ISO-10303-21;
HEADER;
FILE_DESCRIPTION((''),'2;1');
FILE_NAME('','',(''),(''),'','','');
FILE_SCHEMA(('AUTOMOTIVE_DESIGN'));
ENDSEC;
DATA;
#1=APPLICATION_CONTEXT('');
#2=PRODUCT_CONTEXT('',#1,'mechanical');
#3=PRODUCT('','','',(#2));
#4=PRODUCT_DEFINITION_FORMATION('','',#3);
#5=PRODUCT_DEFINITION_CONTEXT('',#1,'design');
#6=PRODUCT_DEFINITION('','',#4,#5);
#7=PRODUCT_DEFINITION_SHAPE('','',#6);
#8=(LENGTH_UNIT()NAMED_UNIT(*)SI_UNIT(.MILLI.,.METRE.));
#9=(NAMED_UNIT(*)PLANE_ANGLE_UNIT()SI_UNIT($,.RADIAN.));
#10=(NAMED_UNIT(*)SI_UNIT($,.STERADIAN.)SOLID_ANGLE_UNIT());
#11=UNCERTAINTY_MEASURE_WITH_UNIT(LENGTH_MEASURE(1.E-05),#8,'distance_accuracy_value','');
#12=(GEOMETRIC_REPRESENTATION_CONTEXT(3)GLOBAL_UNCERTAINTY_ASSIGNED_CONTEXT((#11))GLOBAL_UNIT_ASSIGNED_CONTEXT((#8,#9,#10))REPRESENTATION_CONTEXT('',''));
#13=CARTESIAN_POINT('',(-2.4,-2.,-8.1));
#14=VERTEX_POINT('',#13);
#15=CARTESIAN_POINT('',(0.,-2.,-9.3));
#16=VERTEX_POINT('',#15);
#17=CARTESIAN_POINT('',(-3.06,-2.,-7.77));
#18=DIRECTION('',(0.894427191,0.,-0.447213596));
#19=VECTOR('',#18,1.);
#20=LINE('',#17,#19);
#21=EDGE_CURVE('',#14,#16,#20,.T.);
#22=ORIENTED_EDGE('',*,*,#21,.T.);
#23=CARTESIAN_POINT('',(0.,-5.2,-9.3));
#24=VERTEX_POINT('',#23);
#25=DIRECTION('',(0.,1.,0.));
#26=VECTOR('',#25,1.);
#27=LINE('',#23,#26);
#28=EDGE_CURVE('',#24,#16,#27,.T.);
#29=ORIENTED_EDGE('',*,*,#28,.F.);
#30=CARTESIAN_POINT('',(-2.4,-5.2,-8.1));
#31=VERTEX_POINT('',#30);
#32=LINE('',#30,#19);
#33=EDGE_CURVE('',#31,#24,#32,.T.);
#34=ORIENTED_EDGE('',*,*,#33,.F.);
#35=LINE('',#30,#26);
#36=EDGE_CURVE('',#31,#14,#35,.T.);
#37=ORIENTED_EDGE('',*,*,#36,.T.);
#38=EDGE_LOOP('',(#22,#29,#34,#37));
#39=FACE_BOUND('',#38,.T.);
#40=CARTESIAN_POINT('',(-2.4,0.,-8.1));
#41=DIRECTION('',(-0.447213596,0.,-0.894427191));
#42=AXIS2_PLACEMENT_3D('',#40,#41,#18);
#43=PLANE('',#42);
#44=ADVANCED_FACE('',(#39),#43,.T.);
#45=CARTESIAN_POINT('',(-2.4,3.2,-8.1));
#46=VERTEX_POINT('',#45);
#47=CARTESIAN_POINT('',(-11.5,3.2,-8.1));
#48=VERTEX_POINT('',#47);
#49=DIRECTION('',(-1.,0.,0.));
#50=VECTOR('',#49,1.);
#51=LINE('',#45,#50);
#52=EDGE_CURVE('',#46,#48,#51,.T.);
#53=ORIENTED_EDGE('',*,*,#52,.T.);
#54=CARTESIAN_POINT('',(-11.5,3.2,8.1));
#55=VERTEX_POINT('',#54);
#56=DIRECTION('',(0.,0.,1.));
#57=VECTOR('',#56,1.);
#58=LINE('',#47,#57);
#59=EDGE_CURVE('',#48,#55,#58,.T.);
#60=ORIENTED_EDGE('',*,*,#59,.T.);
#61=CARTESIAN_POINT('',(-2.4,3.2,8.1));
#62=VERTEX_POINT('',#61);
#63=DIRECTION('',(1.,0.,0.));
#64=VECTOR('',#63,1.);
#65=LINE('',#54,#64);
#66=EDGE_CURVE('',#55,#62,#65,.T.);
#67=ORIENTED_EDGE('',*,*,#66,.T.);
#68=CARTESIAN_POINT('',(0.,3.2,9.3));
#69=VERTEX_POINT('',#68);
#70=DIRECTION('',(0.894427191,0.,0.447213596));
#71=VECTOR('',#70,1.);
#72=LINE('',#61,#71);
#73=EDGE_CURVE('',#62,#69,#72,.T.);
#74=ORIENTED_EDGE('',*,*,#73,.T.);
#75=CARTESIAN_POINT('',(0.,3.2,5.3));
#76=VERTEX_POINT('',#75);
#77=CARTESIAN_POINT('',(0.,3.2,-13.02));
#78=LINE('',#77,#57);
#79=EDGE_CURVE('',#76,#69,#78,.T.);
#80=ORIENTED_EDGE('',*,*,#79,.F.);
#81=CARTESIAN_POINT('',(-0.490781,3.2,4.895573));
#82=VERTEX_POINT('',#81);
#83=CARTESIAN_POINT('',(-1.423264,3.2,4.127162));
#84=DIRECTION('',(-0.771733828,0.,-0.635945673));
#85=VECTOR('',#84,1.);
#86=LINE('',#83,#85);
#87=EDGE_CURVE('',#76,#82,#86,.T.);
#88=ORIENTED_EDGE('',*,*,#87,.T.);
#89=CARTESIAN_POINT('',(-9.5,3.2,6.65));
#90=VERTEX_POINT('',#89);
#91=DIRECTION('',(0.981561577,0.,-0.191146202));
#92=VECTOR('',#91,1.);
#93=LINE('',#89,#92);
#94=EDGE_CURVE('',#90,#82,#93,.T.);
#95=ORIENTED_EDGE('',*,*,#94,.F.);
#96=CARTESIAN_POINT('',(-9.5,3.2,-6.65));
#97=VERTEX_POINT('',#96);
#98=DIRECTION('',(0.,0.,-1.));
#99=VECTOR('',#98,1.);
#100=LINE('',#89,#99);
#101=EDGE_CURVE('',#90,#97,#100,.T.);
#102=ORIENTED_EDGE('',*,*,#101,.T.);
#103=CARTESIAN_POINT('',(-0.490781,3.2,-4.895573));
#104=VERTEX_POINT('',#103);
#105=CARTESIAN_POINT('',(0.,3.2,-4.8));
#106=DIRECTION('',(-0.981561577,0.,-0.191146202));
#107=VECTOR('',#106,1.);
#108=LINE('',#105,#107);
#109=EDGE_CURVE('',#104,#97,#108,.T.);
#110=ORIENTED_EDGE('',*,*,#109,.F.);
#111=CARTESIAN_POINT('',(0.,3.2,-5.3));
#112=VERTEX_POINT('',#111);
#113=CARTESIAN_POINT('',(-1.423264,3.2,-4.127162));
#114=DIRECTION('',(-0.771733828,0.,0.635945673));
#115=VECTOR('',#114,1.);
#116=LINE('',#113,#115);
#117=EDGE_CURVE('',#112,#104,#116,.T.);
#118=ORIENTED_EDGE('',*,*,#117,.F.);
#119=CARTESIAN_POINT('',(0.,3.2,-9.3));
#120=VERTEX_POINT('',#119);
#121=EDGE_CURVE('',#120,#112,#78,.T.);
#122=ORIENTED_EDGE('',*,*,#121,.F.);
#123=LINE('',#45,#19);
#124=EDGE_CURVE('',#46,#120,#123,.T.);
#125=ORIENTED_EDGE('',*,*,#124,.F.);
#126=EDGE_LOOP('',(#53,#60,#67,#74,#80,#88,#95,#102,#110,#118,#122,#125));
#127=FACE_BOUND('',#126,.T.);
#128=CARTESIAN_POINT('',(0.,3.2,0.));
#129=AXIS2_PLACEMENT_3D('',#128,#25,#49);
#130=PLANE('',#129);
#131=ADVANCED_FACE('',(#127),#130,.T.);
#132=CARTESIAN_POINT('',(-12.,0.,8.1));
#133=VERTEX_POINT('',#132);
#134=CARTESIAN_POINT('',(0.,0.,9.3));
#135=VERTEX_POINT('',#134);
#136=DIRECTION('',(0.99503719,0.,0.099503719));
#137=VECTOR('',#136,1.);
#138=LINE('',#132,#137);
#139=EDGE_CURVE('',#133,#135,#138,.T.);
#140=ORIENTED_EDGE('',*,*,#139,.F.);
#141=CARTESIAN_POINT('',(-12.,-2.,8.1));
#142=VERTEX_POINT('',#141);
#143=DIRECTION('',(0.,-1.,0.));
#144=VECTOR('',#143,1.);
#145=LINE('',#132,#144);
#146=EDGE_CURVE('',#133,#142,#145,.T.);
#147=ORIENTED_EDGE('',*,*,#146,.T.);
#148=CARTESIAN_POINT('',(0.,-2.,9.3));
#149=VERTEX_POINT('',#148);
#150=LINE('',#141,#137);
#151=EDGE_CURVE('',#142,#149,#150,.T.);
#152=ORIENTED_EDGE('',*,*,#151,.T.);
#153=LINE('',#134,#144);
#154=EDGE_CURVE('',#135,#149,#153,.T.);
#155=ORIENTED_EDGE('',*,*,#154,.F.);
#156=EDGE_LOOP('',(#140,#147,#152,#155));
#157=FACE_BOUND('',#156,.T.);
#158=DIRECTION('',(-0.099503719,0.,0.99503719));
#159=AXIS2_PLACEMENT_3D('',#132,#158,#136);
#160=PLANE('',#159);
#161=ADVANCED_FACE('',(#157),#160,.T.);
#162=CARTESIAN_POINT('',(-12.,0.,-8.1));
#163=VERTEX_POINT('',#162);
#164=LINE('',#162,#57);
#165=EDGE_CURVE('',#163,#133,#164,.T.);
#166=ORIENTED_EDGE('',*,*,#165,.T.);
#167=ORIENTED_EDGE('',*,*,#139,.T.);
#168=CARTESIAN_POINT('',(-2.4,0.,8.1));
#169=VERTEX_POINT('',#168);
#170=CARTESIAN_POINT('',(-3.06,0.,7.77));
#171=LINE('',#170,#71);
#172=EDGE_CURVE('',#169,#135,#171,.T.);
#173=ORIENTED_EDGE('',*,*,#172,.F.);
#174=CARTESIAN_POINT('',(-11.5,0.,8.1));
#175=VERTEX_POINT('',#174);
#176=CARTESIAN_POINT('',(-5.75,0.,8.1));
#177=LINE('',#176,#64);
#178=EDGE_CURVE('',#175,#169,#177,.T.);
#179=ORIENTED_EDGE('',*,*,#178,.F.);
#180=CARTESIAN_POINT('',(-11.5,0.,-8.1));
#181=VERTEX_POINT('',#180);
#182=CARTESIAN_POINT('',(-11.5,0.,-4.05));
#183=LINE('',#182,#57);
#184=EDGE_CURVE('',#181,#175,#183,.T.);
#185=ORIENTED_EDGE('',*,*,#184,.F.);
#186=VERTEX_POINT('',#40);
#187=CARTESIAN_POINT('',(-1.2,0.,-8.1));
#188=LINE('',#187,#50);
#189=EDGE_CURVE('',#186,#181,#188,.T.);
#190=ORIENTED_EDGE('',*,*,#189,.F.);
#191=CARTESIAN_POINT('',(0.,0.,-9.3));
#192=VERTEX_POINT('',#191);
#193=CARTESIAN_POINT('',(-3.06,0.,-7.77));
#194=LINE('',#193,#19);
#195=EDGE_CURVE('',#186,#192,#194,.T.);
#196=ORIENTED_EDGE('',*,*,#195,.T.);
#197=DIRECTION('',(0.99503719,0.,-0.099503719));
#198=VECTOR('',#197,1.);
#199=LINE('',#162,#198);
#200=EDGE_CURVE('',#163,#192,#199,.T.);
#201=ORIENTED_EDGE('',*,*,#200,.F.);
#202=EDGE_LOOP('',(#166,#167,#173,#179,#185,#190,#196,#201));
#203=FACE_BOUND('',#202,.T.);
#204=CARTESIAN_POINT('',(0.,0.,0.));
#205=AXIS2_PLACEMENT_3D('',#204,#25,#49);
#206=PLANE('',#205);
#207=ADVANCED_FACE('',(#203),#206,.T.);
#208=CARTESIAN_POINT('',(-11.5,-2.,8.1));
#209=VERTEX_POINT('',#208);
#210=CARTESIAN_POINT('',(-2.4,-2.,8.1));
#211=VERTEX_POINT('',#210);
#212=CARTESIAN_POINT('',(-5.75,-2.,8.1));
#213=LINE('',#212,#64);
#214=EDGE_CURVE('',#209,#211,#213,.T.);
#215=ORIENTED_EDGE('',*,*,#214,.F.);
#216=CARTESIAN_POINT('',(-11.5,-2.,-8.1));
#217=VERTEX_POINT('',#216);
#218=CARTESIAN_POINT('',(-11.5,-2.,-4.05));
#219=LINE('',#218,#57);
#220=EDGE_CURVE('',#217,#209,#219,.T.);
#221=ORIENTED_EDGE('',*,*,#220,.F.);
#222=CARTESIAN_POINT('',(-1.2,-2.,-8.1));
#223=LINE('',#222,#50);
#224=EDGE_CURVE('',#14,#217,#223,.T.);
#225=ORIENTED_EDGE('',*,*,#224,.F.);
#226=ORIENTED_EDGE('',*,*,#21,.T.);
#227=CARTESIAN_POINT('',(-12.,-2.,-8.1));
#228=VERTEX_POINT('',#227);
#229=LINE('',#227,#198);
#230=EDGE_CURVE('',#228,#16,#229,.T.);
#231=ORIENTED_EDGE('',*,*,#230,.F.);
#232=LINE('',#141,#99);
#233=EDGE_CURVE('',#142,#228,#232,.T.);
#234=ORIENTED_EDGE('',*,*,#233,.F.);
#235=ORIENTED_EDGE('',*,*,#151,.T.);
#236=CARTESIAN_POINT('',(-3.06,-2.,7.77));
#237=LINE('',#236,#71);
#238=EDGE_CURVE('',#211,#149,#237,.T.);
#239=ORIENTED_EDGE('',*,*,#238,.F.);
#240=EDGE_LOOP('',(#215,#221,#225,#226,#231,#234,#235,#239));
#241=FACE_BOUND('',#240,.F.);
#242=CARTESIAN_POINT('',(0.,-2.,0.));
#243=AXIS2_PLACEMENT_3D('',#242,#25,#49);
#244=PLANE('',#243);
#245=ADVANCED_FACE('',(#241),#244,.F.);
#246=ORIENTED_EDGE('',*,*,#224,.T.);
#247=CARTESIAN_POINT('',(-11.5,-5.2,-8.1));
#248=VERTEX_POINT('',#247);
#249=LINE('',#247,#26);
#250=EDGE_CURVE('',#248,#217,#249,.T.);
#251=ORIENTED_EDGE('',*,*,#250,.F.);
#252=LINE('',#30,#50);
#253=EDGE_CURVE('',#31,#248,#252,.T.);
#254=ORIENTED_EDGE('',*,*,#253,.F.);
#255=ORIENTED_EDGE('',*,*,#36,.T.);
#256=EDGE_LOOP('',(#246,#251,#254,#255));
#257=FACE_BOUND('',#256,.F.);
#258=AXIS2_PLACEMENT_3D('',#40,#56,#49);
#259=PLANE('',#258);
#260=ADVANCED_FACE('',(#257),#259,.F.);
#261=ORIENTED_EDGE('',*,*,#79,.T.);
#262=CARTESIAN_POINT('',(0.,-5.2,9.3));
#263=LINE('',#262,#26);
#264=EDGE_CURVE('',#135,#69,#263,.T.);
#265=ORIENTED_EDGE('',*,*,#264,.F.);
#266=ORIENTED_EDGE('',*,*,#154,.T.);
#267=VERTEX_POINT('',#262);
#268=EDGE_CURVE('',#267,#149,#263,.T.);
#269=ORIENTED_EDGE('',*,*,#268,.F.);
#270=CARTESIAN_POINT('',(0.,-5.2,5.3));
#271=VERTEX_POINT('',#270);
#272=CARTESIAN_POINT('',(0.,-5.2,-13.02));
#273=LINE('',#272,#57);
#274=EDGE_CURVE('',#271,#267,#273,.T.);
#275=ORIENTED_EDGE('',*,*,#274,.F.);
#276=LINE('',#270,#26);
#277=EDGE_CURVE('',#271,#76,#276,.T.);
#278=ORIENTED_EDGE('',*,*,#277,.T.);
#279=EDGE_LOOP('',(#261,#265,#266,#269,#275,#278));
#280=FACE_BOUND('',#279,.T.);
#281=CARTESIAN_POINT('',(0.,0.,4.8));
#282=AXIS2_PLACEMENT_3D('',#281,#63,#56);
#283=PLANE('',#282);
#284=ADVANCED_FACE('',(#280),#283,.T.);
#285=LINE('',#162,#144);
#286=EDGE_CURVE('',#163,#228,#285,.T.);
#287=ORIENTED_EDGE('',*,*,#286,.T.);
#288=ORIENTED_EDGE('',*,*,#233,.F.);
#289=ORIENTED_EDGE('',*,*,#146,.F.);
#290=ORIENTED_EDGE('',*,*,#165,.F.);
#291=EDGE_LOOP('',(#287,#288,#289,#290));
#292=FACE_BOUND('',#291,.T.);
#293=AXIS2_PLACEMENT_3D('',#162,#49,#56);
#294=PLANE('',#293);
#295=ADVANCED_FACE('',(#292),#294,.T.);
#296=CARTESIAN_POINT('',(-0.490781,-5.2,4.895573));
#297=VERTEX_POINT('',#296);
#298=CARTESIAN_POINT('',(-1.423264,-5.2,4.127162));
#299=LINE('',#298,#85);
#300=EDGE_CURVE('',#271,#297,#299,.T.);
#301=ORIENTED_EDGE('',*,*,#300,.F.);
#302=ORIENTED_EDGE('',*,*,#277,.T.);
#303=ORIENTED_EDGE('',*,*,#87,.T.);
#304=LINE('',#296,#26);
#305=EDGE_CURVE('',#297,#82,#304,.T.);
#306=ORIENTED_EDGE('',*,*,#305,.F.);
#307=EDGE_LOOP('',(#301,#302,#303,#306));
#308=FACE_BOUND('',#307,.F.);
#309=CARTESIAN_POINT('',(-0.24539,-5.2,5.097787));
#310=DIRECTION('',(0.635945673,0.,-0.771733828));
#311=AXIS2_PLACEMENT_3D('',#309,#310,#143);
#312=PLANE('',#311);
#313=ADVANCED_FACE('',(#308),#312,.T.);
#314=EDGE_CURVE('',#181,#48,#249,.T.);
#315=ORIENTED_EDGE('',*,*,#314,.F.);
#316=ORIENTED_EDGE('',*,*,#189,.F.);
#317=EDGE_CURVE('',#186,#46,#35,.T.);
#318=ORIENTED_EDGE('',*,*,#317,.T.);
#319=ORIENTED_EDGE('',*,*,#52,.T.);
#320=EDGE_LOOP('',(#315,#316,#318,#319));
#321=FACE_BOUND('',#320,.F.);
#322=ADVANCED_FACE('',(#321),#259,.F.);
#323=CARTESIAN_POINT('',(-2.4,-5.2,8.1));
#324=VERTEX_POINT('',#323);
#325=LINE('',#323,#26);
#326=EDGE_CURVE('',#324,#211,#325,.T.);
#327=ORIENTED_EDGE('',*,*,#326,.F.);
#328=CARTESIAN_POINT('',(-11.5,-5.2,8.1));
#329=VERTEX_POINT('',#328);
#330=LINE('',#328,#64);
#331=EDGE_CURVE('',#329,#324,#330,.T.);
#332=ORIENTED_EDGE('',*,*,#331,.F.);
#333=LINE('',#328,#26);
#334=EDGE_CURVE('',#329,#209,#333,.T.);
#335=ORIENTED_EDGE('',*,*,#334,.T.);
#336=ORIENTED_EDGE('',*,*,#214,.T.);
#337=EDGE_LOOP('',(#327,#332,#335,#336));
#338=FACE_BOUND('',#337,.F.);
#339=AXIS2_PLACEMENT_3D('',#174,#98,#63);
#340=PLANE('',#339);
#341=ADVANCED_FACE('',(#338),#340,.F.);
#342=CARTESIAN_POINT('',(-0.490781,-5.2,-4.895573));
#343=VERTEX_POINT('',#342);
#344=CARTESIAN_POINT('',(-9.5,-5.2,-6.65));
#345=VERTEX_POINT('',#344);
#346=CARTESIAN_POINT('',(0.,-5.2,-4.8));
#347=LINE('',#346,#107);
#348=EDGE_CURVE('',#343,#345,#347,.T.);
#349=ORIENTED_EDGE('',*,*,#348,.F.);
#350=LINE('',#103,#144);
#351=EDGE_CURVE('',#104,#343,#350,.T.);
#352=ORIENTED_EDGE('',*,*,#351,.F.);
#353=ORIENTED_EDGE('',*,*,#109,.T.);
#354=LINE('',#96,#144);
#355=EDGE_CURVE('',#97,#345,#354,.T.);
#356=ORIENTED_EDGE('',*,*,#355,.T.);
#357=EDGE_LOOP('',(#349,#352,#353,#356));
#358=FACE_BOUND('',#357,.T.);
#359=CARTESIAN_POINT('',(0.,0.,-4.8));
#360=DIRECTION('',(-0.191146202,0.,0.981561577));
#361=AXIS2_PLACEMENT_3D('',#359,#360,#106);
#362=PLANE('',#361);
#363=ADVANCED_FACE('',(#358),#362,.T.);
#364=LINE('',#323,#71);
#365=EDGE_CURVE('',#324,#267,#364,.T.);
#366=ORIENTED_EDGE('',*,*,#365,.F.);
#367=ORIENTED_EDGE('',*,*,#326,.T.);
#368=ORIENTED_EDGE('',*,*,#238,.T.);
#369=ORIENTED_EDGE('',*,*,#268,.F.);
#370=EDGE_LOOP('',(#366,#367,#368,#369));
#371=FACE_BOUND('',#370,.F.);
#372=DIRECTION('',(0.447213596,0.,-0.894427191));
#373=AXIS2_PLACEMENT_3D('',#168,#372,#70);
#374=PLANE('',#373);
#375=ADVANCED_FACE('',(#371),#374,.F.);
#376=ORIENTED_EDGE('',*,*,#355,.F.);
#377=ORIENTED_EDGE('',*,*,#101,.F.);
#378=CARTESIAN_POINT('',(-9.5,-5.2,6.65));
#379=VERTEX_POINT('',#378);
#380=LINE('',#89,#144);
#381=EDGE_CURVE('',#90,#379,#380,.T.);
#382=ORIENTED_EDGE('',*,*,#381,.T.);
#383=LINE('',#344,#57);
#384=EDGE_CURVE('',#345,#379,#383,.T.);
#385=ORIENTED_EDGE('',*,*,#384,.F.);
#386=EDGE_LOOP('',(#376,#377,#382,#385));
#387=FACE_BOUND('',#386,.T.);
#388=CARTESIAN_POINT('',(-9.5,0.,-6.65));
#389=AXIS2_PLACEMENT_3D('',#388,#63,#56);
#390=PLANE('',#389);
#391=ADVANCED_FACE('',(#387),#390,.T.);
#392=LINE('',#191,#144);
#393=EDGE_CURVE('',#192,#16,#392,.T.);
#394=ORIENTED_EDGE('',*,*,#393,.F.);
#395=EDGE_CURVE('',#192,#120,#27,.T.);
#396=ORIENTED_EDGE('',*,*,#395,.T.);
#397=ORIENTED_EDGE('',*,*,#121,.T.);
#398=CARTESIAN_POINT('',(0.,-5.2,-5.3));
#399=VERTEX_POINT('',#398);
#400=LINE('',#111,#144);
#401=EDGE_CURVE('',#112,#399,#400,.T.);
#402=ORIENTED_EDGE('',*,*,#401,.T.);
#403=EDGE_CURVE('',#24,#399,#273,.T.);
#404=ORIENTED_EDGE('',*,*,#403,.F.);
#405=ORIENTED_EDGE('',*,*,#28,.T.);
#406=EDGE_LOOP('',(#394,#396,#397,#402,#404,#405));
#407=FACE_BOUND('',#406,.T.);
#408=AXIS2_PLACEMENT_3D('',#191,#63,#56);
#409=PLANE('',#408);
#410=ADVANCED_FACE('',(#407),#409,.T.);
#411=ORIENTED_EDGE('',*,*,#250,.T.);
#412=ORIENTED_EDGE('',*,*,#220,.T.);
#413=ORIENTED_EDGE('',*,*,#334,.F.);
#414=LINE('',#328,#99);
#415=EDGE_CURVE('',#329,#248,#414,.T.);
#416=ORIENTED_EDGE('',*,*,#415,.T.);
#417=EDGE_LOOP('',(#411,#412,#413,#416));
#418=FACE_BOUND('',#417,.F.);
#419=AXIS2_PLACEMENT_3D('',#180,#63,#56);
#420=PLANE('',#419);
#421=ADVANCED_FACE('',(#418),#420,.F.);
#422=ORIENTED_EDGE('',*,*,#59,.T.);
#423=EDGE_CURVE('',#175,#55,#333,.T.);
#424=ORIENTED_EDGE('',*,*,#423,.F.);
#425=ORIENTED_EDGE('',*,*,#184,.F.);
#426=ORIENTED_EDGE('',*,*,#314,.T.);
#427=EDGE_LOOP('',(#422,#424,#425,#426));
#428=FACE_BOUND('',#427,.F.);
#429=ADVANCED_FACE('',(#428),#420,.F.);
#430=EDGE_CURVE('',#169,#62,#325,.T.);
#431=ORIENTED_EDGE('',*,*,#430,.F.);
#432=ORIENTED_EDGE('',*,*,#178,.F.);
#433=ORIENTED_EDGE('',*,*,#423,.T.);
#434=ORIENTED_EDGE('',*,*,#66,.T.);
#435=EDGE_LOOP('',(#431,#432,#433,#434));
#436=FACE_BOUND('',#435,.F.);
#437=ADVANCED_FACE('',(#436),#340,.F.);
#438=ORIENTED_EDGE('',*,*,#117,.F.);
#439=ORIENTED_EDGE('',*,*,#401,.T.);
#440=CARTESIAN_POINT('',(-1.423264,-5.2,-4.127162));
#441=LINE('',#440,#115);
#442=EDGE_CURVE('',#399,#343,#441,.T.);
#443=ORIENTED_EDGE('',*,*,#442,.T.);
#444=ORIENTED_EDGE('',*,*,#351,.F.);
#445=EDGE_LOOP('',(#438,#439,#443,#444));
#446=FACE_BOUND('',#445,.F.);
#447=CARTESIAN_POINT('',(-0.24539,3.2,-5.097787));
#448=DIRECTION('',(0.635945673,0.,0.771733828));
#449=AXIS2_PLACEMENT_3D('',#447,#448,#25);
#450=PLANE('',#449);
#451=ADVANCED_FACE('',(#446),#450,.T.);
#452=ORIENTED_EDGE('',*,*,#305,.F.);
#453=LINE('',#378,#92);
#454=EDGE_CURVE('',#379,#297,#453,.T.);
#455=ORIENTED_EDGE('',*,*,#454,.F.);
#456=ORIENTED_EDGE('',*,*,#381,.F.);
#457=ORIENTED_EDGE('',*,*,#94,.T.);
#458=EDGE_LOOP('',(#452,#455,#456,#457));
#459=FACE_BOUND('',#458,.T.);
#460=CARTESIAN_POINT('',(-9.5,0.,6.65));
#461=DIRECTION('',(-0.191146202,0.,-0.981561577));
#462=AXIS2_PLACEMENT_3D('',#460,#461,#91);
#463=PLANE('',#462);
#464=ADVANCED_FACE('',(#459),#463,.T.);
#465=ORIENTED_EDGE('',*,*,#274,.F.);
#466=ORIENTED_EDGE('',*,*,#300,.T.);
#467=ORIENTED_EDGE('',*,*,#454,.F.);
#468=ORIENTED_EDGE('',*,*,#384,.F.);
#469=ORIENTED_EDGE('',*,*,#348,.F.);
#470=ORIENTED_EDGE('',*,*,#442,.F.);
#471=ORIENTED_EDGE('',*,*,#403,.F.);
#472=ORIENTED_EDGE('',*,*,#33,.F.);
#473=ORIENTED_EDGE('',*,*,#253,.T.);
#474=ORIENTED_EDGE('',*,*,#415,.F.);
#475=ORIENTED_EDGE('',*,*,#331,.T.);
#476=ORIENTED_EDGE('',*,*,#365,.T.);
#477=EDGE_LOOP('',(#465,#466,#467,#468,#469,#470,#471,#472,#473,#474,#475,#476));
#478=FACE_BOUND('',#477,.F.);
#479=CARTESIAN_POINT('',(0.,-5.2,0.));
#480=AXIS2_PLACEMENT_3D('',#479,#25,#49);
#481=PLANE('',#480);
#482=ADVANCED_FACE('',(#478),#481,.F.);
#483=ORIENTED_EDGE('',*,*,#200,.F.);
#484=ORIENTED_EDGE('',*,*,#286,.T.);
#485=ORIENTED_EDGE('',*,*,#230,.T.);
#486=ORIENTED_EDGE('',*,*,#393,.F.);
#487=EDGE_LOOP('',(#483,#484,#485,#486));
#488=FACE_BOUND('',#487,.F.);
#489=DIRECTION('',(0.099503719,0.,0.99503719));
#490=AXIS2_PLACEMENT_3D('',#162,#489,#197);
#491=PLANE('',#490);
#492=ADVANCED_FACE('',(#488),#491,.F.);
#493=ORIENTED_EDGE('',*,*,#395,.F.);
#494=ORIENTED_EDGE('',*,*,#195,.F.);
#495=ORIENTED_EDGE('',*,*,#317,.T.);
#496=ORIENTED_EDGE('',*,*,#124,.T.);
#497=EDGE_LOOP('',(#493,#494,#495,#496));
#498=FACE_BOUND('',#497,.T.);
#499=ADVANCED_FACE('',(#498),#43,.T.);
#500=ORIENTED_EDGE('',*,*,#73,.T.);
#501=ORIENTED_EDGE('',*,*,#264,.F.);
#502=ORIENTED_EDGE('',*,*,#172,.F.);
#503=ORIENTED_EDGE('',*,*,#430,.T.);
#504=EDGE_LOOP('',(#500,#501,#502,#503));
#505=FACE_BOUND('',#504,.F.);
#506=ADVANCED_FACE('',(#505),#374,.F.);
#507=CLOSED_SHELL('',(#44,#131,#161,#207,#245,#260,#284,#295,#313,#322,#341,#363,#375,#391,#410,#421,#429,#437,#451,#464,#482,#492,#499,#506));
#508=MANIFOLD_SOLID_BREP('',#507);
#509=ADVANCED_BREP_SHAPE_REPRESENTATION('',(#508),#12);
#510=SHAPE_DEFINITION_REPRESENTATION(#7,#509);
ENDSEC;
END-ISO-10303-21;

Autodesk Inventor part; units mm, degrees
ref_plane "YZ Plane" through (0, 0, 0) normal (1, 0, 0) x (0, 1, 0)
ref_plane "XZ Plane" through (0, 0, 0) normal (0, 1, 0) x (-1, 0, 0)
ref_plane "XY Plane" through (0, 0, 0) normal (0, 0, 1) x (1, 0, 0)
sketch "スケッチ1" plane through (0, 0, 0) normal (0, 1, 0) x (-1, 0, 0)
  line L0 (0, -13.02) -> (0, 13.02) projected
  line L1 (-2.4, 0) -> (14.4, 0) projected
  line L2 (0, -4.8) -> (9.5, -6.65)
  line L3 (9.5, -6.65) -> (9.5, 6.65)
  line L4 (9.5, 6.65) -> (0, 4.8)
  line L5 (0, -9.3) -> (0, -4.8)
  line L6 (0, 4.8) -> (0, 9.3)
  line L7 (2.4, -8.1) -> (11.5, -8.1)
  line L8 (11.5, -8.1) -> (11.5, 8.1)
  line L9 (11.5, 8.1) -> (2.4, 8.1)
  line L10 (2.4, -8.1) -> (0, -9.3)
  line L11 (2.4, 8.1) -> (0, 9.3)
  line L12 (12, -8.1) -> (12, 8.1)
  line L13 (12, 8.1) -> (0, 9.3)
  line L14 (12, -8.1) -> (0, -9.3)
  point P0 (0, 0)
  point P1 (0, 9.3)
  point P2 (0, -9.3)
  dimension "d3" = 13.3
  dimension "d5" = 9.6
  dimension "d14" = 2
  dimension "d63" = 1.2
  dimension "d64" = 18.6
  dimension "d65" = 12
  dimension "d74" = 18.6
  dimension "d75" = 1.2
  dimension "d93" = 9.5
  dimension "d94" = 2.4
extrude "押し出し2" add sketch "スケッチ1" along normal blind 3.2 and the other way blind 5.2 contours L0 L2 L3 L1 L8 L7 L10 | L0 L11 L9 L8 L1 L3 L4
extrude "押し出し1" add sketch "スケッチ1" against normal blind 2 contours L0 L2 L3 L1 L8 L7 L10 | L10 L7 L8 L1 L12 L14 | L1 L8 L9 L11 L13 L12 | L0 L11 L9 L8 L1 L3 L4
chamfer "面取り3" distance 0.5 angle 45 2 edges at (0, -1, 4.8) (0, -1, -4.8)
equation "\"rib\" = 0.5"
equation "\"gap\" = 0.2"
properties part number "StraightRais-215" material "ABS プラスチック"
